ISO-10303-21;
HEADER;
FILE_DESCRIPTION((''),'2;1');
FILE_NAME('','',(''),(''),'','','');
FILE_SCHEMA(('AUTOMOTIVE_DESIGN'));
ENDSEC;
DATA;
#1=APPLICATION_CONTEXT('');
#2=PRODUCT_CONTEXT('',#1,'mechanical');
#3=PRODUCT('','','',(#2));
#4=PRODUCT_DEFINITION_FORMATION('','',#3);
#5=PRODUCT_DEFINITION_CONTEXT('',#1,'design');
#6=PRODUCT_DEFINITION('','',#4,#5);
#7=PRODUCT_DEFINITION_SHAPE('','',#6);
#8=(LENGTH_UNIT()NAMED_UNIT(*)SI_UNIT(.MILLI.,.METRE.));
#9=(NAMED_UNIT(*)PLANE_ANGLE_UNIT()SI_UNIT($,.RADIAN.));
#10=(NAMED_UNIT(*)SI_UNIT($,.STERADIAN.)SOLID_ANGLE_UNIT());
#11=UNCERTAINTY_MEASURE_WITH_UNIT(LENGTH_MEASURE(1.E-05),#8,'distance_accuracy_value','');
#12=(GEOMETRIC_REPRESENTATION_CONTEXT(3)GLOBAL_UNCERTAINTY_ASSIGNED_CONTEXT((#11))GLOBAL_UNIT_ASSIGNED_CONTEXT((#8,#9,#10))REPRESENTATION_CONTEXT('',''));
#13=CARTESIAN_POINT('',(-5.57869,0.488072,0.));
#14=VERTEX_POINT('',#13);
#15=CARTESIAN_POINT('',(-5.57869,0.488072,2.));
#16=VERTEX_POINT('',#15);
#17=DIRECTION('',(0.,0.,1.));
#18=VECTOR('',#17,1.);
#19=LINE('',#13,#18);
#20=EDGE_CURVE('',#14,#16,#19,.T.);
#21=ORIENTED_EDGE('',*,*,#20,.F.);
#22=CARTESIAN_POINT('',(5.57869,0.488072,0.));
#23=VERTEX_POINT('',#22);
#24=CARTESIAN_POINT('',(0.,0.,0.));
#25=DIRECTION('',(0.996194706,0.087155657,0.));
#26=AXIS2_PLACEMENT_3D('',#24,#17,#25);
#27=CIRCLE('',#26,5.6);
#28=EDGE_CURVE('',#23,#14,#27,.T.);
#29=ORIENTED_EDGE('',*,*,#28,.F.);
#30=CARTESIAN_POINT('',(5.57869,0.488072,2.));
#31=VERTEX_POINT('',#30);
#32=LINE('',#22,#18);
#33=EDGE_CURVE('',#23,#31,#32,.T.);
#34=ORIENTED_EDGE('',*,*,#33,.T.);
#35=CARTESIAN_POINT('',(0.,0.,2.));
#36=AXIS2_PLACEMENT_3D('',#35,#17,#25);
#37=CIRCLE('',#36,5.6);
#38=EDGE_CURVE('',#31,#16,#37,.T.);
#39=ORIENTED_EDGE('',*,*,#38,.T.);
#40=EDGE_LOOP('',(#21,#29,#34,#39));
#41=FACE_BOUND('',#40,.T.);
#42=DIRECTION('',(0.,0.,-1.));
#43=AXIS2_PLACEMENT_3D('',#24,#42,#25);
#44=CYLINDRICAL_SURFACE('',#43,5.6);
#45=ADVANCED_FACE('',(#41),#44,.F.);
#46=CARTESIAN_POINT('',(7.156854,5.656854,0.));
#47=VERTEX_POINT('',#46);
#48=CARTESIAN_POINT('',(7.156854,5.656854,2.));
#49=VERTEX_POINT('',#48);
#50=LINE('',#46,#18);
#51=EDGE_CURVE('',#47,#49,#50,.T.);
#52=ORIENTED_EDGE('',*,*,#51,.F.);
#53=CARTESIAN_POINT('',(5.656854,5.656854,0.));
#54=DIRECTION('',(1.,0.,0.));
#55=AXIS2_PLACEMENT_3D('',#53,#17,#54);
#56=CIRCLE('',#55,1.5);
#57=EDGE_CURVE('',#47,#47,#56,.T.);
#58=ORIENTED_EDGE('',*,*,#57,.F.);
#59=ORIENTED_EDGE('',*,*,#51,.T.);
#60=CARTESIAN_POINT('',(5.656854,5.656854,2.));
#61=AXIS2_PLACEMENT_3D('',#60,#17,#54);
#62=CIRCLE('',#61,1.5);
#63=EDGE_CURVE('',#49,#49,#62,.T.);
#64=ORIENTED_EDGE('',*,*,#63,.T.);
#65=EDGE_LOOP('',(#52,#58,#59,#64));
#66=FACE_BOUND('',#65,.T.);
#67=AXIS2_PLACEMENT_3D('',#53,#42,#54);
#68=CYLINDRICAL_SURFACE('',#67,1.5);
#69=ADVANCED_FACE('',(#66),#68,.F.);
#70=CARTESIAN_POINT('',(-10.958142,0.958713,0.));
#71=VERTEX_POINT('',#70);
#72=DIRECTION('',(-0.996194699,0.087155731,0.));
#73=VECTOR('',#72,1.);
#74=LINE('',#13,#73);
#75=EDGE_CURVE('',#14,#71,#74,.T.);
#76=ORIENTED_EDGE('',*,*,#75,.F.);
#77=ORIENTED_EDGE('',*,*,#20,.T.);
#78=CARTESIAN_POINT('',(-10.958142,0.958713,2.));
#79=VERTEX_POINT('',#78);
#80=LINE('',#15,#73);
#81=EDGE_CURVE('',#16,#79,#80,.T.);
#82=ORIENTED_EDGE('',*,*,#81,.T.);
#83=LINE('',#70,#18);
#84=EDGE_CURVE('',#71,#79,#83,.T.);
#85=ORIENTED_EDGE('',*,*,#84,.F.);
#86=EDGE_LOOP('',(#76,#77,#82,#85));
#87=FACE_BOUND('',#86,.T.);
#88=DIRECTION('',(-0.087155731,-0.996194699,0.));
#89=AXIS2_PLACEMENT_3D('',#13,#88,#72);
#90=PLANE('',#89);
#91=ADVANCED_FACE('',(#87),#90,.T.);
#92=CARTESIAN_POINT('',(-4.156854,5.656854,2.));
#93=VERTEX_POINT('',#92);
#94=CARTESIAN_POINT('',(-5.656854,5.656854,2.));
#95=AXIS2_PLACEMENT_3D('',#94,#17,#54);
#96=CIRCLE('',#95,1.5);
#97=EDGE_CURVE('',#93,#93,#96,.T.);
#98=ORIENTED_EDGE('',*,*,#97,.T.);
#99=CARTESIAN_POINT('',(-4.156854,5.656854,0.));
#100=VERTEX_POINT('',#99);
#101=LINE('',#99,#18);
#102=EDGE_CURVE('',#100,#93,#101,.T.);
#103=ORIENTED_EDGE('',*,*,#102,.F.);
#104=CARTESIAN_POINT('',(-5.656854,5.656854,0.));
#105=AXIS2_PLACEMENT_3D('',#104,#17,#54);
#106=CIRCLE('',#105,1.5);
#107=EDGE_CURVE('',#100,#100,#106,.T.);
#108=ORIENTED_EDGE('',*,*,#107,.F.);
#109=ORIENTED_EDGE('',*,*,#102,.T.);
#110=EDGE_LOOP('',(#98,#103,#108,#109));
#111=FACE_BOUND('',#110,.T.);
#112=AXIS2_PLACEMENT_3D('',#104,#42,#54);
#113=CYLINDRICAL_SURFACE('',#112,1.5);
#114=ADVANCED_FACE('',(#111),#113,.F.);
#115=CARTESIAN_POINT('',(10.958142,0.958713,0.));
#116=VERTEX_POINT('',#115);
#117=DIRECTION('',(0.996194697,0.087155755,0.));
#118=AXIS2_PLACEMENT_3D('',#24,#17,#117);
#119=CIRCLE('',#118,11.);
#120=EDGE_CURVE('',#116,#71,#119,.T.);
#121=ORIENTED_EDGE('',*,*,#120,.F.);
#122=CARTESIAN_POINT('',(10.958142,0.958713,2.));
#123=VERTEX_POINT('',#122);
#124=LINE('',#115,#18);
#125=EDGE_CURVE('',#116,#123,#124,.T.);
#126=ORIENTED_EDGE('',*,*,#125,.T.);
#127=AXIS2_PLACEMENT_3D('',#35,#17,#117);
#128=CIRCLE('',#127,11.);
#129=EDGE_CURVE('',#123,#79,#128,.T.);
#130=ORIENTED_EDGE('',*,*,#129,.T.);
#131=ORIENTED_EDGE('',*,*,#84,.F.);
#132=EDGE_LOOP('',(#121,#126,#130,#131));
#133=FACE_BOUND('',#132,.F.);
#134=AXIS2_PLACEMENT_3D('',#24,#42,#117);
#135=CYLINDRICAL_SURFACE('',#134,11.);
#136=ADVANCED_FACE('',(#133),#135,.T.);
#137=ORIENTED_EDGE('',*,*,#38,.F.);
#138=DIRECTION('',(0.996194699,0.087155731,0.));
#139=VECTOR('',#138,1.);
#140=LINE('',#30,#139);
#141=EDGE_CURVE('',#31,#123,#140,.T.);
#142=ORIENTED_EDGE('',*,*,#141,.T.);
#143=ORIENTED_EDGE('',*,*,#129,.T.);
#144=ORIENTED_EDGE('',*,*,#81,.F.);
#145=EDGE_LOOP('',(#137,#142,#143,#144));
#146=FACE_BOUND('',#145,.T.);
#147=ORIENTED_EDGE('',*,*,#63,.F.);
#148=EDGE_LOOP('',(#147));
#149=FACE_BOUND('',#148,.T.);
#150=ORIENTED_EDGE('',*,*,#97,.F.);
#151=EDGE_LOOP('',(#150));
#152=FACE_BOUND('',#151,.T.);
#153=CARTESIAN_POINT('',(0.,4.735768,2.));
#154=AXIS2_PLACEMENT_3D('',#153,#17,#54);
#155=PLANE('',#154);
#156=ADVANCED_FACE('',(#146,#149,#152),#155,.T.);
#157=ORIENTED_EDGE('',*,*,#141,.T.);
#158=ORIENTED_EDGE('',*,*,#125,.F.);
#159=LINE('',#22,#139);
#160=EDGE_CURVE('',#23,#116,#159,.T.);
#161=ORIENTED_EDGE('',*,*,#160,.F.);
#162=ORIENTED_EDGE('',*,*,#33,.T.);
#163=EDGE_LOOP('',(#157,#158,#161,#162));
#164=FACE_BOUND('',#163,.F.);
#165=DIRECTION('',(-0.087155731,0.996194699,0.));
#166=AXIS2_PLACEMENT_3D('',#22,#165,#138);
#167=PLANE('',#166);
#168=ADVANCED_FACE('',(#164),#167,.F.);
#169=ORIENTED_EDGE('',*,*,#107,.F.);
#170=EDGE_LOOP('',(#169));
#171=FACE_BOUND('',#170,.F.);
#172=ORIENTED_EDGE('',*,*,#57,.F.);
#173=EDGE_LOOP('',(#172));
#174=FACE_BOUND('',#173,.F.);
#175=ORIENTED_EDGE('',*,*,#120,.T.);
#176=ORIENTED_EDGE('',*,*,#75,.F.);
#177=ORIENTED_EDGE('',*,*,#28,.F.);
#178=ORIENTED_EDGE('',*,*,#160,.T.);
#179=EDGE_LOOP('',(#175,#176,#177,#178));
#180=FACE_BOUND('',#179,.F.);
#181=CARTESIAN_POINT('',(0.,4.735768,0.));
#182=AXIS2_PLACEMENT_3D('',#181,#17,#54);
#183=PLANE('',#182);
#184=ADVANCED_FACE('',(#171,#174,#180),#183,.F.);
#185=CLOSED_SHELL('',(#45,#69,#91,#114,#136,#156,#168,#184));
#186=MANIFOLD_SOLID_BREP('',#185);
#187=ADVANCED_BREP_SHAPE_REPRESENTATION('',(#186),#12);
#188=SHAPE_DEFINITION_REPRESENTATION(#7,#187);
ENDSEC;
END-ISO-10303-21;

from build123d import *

# Parameters (mm, degrees)
SKETCH_R  = 1.5
PAD_DEPTH = 2


with BuildPart() as part:
    # Sketch → Pad (new body)
    with BuildSketch(Plane.XY):
        with BuildLine():
            ThreePointArc((10.958142, 0.958713), (0, 11), (-10.958142, 0.958713))
            Line((-5.57869, 0.488072), (-10.958142, 0.958713))
            ThreePointArc((5.57869, 0.488072), (0, 5.6), (-5.57869, 0.488072))
            Line((5.57869, 0.488072), (10.958142, 0.958713))
        make_face()
        with Locations((-5.656854, 5.656854)):
            Circle(SKETCH_R, mode=Mode.SUBTRACT)
        with Locations((5.656854, 5.656854)):
            Circle(SKETCH_R, mode=Mode.SUBTRACT)
    extrude(amount=PAD_DEPTH)


solid = part.part
